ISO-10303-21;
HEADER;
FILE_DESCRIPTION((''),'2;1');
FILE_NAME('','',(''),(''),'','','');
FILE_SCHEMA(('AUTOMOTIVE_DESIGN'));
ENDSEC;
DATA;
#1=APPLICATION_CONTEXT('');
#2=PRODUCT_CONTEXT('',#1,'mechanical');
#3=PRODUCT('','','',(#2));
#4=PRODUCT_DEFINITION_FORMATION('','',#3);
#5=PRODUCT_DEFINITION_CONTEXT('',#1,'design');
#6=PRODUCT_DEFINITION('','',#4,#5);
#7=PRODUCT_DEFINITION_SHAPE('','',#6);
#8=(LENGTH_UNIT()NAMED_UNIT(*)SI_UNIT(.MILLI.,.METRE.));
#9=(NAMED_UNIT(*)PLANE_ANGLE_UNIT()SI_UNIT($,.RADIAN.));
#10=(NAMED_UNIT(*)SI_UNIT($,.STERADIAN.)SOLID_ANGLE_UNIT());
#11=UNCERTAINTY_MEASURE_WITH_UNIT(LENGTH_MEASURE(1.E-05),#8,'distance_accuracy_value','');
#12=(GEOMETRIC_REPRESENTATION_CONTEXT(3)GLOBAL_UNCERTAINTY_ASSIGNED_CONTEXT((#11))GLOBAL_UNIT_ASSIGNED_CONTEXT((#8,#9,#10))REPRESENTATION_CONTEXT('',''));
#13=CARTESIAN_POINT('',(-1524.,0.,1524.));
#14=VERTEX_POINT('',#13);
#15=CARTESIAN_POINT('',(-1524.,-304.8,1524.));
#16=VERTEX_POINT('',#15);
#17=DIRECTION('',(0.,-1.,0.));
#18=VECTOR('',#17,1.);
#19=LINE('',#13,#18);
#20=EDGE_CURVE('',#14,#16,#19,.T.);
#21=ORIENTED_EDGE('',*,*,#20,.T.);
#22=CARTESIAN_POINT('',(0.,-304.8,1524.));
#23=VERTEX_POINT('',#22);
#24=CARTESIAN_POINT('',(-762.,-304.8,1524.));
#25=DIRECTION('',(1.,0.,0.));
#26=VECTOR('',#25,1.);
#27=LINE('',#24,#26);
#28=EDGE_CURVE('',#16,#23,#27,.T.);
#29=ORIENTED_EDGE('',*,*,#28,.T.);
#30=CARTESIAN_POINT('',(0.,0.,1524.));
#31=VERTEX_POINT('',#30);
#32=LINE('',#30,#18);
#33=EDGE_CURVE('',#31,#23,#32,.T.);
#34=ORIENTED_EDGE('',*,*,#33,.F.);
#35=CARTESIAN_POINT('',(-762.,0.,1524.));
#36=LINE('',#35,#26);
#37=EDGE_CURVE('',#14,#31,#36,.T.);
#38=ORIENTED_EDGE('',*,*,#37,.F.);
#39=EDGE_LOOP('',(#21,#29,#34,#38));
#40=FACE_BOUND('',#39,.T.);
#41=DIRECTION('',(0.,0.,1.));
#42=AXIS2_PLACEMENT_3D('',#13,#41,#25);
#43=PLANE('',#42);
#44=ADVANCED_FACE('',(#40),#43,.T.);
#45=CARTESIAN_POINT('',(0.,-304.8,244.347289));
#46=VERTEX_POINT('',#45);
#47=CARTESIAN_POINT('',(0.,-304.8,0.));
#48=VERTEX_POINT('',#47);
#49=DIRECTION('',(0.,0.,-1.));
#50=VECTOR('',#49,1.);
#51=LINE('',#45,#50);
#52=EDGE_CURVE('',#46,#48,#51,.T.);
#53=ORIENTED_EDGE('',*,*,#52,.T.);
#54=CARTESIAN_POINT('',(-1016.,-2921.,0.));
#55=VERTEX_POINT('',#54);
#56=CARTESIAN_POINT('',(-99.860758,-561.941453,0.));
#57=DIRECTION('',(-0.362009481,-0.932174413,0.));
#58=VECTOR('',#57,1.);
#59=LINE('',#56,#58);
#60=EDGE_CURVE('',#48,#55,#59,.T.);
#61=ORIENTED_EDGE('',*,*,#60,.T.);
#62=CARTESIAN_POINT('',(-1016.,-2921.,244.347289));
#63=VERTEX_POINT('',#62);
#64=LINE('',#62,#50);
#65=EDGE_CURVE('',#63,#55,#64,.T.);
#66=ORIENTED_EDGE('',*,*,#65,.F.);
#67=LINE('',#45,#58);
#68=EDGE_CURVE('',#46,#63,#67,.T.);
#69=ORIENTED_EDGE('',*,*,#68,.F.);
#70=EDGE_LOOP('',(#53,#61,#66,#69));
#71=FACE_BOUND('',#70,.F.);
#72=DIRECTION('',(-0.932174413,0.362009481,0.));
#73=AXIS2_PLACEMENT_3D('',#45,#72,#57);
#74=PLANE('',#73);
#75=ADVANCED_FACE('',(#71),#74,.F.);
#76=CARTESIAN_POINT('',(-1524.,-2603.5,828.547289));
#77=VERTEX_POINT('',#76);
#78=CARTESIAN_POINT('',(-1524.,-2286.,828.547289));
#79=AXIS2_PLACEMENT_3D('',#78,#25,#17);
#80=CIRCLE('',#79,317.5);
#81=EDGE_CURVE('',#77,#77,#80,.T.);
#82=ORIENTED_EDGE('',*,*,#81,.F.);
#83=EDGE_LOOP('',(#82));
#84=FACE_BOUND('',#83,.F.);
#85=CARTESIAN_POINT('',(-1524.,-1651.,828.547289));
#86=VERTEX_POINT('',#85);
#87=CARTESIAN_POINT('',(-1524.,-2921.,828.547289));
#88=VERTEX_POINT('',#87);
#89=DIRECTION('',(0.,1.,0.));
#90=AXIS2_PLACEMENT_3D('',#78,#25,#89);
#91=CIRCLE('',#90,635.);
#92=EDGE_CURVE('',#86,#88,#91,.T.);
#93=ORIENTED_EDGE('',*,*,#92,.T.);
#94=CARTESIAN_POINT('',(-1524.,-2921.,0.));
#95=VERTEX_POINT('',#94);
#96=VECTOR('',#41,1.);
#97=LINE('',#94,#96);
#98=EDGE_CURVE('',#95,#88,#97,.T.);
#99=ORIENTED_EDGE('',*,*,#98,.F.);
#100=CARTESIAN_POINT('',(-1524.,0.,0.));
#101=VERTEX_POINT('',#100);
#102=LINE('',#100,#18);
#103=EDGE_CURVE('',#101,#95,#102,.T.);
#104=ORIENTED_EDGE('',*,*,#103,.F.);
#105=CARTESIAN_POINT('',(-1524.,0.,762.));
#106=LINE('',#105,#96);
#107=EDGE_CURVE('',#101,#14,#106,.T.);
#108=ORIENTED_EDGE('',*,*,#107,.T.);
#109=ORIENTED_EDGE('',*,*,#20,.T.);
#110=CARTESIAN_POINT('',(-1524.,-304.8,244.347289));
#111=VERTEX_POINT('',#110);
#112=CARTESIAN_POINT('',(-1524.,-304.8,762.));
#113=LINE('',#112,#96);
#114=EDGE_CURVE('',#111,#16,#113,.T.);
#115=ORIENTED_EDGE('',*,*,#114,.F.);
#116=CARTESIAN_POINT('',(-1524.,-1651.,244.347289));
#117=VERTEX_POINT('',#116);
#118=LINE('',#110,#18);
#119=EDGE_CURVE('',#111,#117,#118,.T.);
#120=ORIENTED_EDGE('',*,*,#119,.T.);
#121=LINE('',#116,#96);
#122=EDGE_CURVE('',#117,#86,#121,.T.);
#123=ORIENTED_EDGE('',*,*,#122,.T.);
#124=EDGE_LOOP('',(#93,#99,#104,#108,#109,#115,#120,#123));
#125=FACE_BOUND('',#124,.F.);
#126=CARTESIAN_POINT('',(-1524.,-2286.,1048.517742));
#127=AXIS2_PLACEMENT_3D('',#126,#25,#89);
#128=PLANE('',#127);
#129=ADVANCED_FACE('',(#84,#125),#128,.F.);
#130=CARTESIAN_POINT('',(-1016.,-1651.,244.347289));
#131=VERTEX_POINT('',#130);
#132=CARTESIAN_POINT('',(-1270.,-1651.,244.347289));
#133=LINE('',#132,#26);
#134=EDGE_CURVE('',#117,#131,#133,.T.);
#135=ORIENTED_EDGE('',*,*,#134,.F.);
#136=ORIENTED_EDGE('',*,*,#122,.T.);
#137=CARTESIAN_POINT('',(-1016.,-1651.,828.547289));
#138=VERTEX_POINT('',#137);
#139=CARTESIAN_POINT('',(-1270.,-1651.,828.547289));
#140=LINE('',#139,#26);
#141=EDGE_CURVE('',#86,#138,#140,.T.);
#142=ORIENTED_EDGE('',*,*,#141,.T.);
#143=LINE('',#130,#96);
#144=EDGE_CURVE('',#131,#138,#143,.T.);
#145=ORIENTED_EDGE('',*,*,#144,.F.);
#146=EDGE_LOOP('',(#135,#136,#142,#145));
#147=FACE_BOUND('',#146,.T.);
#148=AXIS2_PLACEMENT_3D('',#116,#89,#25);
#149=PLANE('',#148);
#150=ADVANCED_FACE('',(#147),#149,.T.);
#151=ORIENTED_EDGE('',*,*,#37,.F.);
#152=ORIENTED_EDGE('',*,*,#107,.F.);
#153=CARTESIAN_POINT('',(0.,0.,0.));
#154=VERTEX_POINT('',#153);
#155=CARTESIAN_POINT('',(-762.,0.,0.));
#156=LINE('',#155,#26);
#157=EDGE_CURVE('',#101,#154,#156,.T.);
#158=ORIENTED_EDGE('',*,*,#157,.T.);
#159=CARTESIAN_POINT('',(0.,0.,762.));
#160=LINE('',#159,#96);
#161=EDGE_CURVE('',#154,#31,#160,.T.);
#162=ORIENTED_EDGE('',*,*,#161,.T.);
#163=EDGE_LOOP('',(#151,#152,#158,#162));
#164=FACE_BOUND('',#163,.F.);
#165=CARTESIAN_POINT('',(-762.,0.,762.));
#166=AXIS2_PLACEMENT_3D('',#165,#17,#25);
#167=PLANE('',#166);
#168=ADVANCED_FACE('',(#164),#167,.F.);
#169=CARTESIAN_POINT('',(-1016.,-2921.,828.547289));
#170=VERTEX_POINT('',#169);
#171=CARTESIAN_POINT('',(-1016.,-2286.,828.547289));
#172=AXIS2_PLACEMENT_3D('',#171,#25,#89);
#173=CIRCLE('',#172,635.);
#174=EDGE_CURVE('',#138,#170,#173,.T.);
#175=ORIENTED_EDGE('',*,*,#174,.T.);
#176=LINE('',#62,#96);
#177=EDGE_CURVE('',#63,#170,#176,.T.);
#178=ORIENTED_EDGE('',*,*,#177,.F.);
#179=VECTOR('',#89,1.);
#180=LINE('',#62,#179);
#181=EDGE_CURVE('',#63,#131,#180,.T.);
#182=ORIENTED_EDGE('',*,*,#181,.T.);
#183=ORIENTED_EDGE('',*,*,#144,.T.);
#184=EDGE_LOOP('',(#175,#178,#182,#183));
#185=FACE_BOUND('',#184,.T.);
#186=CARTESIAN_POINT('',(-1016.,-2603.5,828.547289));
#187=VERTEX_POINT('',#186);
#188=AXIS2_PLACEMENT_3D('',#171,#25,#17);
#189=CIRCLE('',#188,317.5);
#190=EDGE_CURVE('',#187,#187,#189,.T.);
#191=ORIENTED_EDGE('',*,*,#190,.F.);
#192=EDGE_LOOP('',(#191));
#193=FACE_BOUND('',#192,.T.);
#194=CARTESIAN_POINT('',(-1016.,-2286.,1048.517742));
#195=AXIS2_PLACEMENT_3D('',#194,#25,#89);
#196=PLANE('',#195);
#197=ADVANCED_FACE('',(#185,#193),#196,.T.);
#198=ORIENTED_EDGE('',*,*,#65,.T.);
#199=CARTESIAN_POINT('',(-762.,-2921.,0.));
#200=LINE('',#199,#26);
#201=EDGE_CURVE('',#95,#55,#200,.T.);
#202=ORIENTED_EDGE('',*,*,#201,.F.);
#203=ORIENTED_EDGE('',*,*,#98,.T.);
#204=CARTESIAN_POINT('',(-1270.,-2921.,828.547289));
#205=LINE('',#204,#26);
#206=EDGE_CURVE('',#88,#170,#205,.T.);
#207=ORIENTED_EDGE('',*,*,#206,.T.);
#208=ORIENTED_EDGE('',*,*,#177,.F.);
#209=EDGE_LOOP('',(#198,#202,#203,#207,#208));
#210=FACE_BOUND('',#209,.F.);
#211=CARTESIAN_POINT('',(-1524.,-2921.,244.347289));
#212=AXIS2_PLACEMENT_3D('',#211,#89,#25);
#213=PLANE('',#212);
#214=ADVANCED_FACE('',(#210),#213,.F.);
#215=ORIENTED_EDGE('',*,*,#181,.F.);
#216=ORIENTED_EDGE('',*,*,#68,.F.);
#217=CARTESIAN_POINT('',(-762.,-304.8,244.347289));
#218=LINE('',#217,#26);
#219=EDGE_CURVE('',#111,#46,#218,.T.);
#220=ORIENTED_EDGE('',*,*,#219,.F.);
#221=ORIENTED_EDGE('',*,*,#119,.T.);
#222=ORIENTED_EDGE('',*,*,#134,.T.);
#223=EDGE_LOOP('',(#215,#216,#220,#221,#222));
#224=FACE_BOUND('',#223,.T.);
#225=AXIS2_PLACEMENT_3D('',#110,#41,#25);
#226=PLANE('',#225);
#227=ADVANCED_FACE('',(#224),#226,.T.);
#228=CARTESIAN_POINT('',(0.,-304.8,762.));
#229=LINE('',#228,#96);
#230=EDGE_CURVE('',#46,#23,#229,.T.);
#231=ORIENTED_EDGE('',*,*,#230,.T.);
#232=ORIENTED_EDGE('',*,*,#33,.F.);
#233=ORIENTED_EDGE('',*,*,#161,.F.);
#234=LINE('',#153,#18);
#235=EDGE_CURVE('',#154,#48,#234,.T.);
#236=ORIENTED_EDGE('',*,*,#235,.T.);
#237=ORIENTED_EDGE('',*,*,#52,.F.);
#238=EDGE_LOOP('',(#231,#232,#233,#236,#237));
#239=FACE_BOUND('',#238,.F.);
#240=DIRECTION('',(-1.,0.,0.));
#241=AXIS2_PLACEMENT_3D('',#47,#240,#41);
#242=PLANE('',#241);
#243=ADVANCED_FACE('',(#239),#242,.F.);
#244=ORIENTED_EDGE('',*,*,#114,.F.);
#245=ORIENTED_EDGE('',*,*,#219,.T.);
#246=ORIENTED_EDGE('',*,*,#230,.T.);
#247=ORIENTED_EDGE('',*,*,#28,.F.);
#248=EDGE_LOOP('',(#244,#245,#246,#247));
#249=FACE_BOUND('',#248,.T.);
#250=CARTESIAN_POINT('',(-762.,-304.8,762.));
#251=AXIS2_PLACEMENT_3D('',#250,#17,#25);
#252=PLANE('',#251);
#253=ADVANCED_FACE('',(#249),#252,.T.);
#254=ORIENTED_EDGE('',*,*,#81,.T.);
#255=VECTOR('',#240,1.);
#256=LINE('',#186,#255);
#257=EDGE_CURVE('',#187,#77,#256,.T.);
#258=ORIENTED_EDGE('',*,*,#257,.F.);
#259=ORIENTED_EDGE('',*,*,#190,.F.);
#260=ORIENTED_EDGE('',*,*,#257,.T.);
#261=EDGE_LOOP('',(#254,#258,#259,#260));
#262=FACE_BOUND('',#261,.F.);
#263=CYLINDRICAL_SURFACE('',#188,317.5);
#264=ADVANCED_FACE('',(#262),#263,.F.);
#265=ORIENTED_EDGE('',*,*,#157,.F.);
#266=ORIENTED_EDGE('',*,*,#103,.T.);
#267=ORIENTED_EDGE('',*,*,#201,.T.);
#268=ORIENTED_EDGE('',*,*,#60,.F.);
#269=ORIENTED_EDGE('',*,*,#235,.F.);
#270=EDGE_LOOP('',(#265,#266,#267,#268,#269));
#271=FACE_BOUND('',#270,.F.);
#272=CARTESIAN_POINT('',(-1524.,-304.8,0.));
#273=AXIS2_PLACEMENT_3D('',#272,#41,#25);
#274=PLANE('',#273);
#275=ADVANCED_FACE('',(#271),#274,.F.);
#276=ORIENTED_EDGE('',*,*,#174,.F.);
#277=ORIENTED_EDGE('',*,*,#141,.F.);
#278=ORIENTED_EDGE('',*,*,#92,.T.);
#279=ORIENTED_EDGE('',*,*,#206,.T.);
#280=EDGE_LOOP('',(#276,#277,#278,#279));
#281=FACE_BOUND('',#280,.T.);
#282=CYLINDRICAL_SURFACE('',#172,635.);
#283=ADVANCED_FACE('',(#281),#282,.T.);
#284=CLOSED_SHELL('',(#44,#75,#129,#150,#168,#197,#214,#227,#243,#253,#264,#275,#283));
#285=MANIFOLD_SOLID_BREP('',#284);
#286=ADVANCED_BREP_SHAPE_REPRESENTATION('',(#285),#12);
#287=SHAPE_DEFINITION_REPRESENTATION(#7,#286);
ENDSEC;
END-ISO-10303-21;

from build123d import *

# Parameters (mm, degrees)
F0_W      = 1524
F0_H      = 1524
F1_DEPTH  = 304.8
F2_W      = 1524
F2_H      = 244.3472892046
F3_DEPTH  = 2616.2
F4_W      = 508
F4_H      = 1270
F5_DEPTH  = 584.2
F7_DEPTH  = 508
F9_DEPTH  = 508
F11_DEPTH = 304.8


with BuildPart() as f1:
    # F0 (on Front) → F1 (new body)
    with BuildSketch(Plane.XZ):
        with Locations((-762, 762)):
            Rectangle(F0_W, F0_H)
    extrude(amount=F1_DEPTH)

    # F2 (on face) → F3 (join)
    with BuildSketch(Plane.XZ.offset(304.8)):
        with Locations((-762, 122.1736446023)):
            Rectangle(F2_W, F2_H)
    extrude(amount=F3_DEPTH)

    # F4 (on face) → F5 (join)
    with BuildSketch(Plane.XY.offset(244.3472892046)):
        with Locations((-1270, -2286)):
            Rectangle(F4_W, F4_H)
    extrude(amount=F5_DEPTH)

    # F6 (on face) → F7 (join)
    with BuildSketch(Plane.YZ.offset(-1016)):
        with BuildLine():
            Line((-2921, 828.5472892046), (-1651, 828.5472892046))
            ThreePointArc((-1651, 828.5472892046), (-2286, 1463.5472892046), (-2921, 828.5472892046))
        make_face()
        with BuildLine():
            ThreePointArc((-2534.8681578667, 244.3472892046), (-2286, 193.5472892046), (-2037.1318421333, 244.3472892046))
            Line((-2037.1318421333, 244.3472892046), (-2534.8681578667, 244.3472892046))
        make_face()
    extrude(amount=-F7_DEPTH)

    # F8 (on face) → F9 (cut)
    with BuildSketch(Plane.YZ.offset(-1016)):
        with BuildLine():
            Line((-2603.5, 828.5472892046), (-1968.5, 828.5472892046))
            ThreePointArc((-1968.5, 828.5472892046), (-2286, 1146.0472892046), (-2603.5, 828.5472892046))
        make_face()
        with BuildLine():
            ThreePointArc((-2603.5, 828.5472892046), (-2286, 511.0472892046), (-1968.5, 828.5472892046))
            Line((-1968.5, 828.5472892046), (-2603.5, 828.5472892046))
        make_face()
    extrude(amount=-F9_DEPTH, mode=Mode.SUBTRACT)

    # F10 (on face) → F11 (cut)
    with BuildSketch(Plane.XY.offset(244.3472892046)):
        Polygon((0, -304.8), (-1016, -2921), (0, -2921), align=None)
    extrude(amount=-F11_DEPTH, mode=Mode.SUBTRACT)


solid = f1.part
